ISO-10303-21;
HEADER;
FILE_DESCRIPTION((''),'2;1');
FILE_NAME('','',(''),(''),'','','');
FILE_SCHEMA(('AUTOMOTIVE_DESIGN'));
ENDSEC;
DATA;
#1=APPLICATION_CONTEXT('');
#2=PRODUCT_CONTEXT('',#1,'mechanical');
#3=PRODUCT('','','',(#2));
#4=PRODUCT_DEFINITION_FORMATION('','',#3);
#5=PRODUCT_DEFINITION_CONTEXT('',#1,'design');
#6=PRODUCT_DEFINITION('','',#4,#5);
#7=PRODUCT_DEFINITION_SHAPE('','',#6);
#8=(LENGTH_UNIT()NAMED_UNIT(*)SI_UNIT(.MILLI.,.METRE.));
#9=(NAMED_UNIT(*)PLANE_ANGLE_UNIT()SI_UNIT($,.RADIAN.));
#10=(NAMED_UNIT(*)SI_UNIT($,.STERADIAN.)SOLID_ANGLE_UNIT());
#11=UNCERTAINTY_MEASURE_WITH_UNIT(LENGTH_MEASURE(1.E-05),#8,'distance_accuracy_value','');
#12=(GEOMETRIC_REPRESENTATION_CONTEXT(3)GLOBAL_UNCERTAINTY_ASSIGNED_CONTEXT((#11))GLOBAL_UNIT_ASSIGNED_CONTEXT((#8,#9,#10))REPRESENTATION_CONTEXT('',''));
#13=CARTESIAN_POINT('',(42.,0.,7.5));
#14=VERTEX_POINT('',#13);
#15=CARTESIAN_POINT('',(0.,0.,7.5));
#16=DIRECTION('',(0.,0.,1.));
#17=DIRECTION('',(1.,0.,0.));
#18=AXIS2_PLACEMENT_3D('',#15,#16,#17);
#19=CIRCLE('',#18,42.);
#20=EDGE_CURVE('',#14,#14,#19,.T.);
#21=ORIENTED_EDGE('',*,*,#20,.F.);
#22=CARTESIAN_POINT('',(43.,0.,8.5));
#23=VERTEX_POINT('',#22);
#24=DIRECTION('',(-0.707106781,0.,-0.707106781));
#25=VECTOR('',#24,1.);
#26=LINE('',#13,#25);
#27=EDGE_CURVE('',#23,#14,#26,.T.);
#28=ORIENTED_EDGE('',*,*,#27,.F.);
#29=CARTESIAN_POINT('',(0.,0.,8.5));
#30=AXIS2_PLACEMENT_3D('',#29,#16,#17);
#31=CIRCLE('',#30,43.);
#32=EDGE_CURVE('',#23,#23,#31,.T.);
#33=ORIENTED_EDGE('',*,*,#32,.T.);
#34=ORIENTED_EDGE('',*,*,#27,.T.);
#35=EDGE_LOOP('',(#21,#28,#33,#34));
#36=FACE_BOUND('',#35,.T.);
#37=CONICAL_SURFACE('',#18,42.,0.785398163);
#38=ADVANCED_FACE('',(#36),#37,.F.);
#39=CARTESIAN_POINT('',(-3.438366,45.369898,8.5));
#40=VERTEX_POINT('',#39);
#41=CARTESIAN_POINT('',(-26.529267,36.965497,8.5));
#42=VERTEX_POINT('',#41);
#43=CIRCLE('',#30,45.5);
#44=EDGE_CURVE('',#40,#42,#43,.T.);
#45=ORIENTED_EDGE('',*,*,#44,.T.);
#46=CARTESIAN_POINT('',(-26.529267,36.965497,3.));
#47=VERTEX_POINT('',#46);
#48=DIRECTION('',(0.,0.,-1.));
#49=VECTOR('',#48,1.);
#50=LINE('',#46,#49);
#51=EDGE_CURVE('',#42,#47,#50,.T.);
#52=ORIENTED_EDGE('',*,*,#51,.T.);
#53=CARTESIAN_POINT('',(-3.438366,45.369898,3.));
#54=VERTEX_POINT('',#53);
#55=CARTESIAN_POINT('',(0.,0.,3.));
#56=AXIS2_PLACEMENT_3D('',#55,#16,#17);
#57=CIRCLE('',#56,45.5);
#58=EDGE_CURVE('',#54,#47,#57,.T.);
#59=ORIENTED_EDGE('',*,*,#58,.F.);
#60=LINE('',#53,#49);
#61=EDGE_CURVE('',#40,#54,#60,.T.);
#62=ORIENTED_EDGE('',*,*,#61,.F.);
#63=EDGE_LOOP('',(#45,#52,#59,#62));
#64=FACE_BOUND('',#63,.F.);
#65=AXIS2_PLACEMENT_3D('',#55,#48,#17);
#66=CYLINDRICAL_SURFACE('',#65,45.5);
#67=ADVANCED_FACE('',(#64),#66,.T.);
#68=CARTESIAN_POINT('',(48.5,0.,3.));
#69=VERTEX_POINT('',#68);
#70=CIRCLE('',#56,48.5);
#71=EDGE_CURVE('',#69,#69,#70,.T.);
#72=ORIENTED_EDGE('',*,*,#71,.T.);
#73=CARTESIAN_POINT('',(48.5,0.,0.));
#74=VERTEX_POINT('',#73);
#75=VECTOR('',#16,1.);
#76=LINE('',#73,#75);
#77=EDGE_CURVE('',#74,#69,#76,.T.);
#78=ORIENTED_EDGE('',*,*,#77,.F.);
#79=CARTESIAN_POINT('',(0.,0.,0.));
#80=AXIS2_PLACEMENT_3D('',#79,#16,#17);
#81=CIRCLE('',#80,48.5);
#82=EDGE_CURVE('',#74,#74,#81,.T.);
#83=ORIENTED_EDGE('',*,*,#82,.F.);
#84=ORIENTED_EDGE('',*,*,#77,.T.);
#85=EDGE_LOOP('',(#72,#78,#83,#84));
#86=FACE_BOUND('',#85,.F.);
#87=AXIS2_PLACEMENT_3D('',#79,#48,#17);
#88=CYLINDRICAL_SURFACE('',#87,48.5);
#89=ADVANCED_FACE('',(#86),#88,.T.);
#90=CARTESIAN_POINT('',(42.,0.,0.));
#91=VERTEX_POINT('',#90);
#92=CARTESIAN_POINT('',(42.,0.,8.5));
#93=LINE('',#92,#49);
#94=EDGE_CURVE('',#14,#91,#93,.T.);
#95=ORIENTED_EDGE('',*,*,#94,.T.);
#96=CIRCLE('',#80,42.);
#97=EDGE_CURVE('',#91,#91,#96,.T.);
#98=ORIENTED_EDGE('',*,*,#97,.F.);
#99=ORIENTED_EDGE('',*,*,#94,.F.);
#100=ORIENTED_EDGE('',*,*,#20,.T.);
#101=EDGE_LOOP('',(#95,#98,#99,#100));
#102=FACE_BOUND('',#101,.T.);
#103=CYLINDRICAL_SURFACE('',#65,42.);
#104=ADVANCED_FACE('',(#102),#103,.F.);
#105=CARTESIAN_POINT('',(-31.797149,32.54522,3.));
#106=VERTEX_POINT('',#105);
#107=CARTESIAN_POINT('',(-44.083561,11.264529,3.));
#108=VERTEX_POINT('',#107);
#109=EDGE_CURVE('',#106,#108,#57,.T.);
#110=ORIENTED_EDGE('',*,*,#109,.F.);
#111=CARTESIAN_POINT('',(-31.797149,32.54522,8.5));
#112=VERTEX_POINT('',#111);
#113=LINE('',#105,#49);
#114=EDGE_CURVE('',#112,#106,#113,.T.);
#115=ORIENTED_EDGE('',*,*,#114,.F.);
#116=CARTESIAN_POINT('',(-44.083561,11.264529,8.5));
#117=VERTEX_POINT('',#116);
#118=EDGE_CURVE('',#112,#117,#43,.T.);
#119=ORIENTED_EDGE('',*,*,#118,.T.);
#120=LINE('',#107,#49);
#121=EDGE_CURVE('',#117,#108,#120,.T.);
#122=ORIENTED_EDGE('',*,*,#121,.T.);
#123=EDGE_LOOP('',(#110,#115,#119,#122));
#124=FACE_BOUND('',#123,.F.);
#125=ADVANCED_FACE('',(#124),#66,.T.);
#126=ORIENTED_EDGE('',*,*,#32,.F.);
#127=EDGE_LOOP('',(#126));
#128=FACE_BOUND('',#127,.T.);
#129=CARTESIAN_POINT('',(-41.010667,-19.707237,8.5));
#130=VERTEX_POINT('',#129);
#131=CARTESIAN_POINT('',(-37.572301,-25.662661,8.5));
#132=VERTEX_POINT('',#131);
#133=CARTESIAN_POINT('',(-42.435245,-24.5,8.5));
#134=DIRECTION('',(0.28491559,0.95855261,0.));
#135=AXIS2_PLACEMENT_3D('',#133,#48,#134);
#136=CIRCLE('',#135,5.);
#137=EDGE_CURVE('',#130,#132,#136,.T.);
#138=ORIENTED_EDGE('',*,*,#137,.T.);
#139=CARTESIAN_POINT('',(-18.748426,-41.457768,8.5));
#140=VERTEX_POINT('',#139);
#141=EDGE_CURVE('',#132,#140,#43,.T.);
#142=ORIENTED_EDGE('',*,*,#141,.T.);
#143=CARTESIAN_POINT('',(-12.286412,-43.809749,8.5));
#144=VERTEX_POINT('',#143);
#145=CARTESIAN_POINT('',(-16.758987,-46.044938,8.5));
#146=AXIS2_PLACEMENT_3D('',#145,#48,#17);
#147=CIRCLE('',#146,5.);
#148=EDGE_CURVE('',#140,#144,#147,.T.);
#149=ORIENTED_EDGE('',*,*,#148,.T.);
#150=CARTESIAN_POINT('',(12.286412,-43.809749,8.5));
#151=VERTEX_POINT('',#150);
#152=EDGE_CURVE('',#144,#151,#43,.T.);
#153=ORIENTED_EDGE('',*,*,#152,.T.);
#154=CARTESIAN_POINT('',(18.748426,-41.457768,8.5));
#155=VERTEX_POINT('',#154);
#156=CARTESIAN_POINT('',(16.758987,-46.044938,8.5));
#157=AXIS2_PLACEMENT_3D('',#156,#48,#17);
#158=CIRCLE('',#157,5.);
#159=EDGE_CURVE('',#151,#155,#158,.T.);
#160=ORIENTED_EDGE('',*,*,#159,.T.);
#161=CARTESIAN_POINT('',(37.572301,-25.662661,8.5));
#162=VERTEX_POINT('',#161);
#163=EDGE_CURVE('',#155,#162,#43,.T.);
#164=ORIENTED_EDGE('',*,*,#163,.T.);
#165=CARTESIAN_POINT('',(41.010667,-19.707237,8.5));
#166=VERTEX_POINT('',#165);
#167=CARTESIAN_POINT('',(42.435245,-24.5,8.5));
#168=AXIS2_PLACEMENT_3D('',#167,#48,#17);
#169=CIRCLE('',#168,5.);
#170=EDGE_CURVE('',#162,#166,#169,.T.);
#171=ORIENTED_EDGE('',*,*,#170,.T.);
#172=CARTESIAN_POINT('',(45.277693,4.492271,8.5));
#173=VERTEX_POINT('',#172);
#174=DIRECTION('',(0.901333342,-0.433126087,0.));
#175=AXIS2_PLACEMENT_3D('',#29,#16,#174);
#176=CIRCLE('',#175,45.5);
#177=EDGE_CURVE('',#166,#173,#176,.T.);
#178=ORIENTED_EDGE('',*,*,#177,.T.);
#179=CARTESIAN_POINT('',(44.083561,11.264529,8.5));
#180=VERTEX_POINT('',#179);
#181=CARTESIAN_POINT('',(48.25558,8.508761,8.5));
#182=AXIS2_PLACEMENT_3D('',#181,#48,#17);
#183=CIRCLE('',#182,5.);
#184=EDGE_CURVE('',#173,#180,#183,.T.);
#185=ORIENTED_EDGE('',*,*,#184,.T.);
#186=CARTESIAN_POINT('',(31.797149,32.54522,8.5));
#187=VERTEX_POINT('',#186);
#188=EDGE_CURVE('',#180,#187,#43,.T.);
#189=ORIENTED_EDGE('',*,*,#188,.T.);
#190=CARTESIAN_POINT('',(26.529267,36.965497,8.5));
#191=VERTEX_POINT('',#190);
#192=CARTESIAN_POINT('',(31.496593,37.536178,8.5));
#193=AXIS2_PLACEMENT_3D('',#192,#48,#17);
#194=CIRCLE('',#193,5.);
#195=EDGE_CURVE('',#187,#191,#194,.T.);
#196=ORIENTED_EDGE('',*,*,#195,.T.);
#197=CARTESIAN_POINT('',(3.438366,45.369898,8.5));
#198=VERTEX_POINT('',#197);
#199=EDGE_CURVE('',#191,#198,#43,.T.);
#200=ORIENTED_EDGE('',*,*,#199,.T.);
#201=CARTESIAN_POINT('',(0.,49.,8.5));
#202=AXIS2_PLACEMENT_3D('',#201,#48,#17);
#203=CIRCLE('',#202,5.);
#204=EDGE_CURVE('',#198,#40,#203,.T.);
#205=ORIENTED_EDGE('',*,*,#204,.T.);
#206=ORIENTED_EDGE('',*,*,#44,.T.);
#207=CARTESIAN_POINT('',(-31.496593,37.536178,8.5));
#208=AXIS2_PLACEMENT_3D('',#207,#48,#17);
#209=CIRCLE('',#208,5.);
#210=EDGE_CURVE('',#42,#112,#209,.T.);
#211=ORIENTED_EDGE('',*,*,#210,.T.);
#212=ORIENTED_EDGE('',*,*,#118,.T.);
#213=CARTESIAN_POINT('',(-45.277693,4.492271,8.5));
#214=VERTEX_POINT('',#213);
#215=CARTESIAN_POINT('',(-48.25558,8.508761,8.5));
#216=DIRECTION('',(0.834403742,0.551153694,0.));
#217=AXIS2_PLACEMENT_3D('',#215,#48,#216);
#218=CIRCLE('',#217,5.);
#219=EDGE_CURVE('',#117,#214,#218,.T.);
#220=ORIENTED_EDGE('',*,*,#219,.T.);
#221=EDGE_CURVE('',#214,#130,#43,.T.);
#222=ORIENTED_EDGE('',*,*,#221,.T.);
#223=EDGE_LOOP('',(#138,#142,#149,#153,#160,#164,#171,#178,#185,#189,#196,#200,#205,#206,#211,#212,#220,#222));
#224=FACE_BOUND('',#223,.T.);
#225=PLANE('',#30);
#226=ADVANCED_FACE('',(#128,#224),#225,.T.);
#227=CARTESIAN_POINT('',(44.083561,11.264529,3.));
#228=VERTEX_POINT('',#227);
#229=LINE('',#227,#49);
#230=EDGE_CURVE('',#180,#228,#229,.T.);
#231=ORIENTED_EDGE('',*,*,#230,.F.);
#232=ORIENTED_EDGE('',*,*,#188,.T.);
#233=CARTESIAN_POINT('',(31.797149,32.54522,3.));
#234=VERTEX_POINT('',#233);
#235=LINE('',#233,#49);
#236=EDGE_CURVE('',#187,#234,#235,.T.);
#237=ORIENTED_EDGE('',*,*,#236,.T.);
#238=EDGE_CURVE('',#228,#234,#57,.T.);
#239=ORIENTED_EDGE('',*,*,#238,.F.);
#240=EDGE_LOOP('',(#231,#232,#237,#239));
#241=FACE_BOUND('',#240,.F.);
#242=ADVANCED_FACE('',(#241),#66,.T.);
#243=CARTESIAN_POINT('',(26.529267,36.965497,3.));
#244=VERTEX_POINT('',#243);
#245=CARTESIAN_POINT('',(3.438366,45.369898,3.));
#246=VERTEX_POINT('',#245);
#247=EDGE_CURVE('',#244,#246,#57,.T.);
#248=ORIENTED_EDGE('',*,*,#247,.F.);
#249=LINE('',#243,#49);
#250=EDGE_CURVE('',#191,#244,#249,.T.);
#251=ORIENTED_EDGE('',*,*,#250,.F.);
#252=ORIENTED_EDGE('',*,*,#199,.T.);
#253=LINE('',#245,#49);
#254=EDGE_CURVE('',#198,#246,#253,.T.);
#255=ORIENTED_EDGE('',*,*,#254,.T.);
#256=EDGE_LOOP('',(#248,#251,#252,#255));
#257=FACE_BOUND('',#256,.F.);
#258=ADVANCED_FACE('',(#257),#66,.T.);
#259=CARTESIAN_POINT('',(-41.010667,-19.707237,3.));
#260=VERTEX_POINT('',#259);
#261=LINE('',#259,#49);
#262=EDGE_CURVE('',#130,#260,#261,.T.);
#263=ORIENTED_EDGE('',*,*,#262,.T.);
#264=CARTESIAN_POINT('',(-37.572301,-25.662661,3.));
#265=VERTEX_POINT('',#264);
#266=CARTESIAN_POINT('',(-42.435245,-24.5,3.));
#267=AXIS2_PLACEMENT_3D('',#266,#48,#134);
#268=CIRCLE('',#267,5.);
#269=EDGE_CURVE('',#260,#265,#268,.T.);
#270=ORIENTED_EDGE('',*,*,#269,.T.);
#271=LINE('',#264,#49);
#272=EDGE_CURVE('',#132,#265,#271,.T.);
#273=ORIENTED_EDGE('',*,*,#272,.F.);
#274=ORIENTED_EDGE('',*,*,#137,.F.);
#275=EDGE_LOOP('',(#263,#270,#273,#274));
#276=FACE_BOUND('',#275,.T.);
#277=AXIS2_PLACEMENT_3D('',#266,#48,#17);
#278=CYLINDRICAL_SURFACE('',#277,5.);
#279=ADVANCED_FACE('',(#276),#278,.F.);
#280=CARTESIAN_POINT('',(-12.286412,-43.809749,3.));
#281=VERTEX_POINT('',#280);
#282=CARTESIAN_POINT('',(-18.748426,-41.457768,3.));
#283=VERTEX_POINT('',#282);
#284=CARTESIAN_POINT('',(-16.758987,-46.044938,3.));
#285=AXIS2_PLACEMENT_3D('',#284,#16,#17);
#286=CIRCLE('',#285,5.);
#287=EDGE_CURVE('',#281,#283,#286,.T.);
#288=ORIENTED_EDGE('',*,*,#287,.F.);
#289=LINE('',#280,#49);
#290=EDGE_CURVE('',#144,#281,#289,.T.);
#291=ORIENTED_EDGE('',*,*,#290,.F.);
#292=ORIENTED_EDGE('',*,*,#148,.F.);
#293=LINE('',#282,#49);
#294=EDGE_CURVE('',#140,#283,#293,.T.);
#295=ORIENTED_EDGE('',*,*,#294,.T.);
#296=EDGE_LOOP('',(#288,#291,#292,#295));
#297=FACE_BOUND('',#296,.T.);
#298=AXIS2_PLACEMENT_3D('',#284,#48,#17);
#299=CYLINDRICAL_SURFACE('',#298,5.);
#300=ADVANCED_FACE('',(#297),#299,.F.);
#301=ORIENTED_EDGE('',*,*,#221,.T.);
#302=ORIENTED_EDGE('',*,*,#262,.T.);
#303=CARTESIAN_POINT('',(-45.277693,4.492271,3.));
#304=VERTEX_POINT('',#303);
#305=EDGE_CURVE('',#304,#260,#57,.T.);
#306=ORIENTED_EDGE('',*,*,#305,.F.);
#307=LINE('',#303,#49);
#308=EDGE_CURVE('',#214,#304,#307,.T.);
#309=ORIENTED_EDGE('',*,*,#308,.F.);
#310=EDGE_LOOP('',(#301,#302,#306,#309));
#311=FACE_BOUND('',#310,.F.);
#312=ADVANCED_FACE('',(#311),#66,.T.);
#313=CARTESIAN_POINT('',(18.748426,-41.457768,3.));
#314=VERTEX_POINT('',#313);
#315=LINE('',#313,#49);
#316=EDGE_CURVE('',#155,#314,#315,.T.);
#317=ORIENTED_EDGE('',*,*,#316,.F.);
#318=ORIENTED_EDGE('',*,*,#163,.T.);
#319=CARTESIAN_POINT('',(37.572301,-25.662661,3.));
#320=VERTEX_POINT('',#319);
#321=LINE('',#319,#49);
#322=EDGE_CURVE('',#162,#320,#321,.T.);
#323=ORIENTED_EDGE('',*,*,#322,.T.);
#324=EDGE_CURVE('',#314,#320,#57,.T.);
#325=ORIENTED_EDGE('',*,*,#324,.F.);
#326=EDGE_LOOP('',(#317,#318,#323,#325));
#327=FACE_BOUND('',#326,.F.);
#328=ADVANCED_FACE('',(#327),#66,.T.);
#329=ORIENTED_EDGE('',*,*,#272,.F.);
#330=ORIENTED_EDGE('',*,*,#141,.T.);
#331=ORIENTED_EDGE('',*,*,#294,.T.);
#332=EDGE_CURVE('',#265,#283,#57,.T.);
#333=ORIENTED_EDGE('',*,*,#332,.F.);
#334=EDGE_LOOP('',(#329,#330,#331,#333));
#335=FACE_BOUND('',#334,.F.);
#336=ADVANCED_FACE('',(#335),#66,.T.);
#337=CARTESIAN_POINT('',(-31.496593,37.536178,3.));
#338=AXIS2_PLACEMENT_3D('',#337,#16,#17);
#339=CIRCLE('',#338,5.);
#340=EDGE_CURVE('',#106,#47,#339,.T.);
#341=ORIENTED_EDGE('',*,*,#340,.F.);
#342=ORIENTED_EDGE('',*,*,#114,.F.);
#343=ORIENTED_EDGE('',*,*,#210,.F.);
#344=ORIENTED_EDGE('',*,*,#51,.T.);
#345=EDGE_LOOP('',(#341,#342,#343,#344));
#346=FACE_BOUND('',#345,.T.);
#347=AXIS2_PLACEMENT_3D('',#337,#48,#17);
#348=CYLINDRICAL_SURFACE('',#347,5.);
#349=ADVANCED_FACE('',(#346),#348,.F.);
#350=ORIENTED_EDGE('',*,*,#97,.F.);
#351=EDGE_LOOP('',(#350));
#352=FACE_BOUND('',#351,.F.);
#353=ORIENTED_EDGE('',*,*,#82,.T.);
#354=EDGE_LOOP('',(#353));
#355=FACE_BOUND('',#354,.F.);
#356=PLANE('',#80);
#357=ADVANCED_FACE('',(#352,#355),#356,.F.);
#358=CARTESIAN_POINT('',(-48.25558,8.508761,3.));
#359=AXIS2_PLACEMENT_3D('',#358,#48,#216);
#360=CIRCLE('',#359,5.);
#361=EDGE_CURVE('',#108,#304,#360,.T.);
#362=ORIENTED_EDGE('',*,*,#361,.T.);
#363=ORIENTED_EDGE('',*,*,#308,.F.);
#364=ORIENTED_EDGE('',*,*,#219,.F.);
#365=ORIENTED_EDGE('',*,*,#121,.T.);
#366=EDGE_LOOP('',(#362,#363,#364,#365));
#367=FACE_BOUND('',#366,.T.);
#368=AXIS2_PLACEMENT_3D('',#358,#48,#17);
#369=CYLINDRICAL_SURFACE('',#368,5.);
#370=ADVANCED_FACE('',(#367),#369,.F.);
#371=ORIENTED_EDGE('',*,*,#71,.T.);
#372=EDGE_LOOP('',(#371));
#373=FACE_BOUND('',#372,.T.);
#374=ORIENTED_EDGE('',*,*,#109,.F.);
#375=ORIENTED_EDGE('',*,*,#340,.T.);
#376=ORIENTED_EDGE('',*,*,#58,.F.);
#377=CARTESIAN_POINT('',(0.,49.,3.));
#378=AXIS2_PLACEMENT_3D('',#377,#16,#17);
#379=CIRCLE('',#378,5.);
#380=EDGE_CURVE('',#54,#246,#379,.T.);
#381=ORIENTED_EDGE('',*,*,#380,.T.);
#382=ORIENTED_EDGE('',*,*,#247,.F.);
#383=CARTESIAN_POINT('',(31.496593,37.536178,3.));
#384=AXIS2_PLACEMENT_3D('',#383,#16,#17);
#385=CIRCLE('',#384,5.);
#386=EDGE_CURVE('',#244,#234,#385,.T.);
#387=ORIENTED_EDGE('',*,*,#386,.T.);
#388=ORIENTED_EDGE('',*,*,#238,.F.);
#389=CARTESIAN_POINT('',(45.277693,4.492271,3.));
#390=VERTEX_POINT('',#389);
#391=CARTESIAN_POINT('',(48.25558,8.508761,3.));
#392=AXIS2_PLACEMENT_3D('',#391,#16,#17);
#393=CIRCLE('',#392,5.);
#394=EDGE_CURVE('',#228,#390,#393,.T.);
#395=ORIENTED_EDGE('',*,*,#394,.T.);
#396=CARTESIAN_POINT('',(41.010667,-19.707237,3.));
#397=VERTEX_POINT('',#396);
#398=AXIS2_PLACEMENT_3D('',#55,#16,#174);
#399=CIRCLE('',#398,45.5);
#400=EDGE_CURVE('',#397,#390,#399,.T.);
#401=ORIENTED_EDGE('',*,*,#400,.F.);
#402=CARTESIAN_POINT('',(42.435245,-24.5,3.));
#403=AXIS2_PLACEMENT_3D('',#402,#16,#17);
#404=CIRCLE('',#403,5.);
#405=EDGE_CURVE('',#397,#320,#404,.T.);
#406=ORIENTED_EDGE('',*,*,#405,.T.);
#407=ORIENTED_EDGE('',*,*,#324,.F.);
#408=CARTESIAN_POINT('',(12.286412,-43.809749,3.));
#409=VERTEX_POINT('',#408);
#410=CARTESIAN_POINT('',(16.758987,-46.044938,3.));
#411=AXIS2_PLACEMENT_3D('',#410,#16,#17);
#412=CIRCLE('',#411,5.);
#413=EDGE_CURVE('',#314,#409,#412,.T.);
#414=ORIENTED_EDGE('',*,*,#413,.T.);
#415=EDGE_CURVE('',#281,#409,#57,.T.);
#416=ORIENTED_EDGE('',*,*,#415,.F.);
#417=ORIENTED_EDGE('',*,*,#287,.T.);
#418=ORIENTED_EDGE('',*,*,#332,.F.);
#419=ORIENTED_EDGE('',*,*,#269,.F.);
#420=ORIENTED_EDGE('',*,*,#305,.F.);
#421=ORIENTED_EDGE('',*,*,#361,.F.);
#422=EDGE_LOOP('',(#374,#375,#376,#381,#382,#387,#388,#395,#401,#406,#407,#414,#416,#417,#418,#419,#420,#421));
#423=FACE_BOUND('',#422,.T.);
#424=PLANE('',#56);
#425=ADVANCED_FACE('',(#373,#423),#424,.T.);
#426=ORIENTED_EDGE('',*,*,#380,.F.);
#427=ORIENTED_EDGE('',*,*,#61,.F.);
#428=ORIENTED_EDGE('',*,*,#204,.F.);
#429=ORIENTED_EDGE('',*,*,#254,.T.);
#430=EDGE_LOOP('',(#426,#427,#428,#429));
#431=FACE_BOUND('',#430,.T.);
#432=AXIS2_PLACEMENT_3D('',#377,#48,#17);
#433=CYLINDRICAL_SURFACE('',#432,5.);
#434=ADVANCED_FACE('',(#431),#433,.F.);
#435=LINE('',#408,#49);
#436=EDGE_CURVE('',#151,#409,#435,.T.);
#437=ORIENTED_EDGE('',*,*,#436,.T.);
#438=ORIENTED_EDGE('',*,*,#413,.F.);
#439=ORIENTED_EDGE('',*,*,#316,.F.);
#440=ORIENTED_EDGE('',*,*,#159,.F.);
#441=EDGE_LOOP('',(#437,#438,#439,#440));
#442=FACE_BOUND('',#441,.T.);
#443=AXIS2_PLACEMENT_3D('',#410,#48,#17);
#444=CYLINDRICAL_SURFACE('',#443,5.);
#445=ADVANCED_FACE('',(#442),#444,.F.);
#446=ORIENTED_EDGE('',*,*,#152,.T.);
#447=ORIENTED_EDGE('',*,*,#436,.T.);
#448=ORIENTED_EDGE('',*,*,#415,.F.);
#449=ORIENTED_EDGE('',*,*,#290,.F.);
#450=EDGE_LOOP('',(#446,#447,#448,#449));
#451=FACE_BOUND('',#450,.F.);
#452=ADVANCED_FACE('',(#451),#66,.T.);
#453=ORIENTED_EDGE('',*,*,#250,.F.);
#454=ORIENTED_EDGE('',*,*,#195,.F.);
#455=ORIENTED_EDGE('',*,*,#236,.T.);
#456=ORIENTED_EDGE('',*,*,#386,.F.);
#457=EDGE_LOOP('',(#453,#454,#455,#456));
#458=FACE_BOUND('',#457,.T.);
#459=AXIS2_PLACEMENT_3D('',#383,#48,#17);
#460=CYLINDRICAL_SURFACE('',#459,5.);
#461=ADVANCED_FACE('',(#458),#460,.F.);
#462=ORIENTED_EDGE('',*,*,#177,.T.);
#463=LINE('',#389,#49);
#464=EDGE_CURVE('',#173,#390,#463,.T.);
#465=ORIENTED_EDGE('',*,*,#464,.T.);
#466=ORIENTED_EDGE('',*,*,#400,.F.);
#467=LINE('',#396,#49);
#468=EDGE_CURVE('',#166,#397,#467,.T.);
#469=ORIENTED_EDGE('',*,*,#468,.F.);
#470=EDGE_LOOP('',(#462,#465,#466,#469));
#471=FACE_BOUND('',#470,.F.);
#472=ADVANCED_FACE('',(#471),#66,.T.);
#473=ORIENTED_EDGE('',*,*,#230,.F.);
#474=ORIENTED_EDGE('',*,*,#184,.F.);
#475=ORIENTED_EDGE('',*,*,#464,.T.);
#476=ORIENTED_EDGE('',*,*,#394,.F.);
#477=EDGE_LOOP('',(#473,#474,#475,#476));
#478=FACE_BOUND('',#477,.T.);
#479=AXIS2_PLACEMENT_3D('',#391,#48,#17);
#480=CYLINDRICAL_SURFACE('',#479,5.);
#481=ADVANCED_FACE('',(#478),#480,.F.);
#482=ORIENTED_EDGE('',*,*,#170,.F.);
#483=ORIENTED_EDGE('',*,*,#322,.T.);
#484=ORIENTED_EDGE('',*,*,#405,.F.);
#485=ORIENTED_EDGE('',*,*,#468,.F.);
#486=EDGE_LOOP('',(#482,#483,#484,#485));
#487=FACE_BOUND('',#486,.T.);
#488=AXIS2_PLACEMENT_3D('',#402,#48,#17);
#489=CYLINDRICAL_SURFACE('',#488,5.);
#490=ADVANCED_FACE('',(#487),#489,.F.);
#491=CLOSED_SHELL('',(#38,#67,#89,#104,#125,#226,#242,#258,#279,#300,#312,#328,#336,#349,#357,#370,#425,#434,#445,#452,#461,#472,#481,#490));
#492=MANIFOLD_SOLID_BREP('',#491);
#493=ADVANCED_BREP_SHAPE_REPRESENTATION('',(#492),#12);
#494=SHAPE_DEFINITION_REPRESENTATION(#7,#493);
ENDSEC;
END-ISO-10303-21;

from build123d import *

# Parameters (mm, degrees)
SKETCH_R      = 48.5
SKETCH_R_2    = 42
PAD_DEPTH     = 3
SKETCH001_R   = 45.5
SKETCH001_R_2 = 42
PAD001_DEPTH  = 5.5
CHAMFER_SIZE  = 1
SKETCH002_R   = 5
POCKET_DEPTH  = 5.501


with BuildPart() as part:
    # Sketch → Pad (new body)
    with BuildSketch(Plane.XY):
        Circle(SKETCH_R)
        Circle(SKETCH_R_2, mode=Mode.SUBTRACT)
    extrude(amount=PAD_DEPTH)

    # Sketch001 (on Face4 of Pad) → Pad001 (join)
    with BuildSketch(Plane.XY.offset(3)):
        Circle(SKETCH001_R)
        Circle(SKETCH001_R_2, mode=Mode.SUBTRACT)
    extrude(amount=PAD001_DEPTH)

    # Chamfer
    chamfer_edges = [part.edges().sort_by_distance(p)[0] for p in [
        (-42, 0, 8.5),
    ]]
    chamfer(chamfer_edges, length=CHAMFER_SIZE)

    # Sketch002 → Pocket (cut, through all)
    with BuildSketch(Plane.XY.offset(3)):
        with Locations((31.496593, 37.536178)):
            Circle(SKETCH002_R)
        with Locations((48.25558, 8.508761)):
            Circle(SKETCH002_R)
        with Locations((42.435245, -24.5)):
            Circle(SKETCH002_R)
        with Locations((16.758987, -46.044938)):
            Circle(SKETCH002_R)
        with Locations((-16.758987, -46.044938)):
            Circle(SKETCH002_R)
        with Locations((-42.435245, -24.5)):
            Circle(SKETCH002_R)
        with Locations((-48.25558, 8.508761)):
            Circle(SKETCH002_R)
        with Locations((-31.496593, 37.536178)):
            Circle(SKETCH002_R)
        with Locations((0, 49)):
            Circle(SKETCH002_R)
    extrude(amount=POCKET_DEPTH, mode=Mode.SUBTRACT)


solid = part.part
